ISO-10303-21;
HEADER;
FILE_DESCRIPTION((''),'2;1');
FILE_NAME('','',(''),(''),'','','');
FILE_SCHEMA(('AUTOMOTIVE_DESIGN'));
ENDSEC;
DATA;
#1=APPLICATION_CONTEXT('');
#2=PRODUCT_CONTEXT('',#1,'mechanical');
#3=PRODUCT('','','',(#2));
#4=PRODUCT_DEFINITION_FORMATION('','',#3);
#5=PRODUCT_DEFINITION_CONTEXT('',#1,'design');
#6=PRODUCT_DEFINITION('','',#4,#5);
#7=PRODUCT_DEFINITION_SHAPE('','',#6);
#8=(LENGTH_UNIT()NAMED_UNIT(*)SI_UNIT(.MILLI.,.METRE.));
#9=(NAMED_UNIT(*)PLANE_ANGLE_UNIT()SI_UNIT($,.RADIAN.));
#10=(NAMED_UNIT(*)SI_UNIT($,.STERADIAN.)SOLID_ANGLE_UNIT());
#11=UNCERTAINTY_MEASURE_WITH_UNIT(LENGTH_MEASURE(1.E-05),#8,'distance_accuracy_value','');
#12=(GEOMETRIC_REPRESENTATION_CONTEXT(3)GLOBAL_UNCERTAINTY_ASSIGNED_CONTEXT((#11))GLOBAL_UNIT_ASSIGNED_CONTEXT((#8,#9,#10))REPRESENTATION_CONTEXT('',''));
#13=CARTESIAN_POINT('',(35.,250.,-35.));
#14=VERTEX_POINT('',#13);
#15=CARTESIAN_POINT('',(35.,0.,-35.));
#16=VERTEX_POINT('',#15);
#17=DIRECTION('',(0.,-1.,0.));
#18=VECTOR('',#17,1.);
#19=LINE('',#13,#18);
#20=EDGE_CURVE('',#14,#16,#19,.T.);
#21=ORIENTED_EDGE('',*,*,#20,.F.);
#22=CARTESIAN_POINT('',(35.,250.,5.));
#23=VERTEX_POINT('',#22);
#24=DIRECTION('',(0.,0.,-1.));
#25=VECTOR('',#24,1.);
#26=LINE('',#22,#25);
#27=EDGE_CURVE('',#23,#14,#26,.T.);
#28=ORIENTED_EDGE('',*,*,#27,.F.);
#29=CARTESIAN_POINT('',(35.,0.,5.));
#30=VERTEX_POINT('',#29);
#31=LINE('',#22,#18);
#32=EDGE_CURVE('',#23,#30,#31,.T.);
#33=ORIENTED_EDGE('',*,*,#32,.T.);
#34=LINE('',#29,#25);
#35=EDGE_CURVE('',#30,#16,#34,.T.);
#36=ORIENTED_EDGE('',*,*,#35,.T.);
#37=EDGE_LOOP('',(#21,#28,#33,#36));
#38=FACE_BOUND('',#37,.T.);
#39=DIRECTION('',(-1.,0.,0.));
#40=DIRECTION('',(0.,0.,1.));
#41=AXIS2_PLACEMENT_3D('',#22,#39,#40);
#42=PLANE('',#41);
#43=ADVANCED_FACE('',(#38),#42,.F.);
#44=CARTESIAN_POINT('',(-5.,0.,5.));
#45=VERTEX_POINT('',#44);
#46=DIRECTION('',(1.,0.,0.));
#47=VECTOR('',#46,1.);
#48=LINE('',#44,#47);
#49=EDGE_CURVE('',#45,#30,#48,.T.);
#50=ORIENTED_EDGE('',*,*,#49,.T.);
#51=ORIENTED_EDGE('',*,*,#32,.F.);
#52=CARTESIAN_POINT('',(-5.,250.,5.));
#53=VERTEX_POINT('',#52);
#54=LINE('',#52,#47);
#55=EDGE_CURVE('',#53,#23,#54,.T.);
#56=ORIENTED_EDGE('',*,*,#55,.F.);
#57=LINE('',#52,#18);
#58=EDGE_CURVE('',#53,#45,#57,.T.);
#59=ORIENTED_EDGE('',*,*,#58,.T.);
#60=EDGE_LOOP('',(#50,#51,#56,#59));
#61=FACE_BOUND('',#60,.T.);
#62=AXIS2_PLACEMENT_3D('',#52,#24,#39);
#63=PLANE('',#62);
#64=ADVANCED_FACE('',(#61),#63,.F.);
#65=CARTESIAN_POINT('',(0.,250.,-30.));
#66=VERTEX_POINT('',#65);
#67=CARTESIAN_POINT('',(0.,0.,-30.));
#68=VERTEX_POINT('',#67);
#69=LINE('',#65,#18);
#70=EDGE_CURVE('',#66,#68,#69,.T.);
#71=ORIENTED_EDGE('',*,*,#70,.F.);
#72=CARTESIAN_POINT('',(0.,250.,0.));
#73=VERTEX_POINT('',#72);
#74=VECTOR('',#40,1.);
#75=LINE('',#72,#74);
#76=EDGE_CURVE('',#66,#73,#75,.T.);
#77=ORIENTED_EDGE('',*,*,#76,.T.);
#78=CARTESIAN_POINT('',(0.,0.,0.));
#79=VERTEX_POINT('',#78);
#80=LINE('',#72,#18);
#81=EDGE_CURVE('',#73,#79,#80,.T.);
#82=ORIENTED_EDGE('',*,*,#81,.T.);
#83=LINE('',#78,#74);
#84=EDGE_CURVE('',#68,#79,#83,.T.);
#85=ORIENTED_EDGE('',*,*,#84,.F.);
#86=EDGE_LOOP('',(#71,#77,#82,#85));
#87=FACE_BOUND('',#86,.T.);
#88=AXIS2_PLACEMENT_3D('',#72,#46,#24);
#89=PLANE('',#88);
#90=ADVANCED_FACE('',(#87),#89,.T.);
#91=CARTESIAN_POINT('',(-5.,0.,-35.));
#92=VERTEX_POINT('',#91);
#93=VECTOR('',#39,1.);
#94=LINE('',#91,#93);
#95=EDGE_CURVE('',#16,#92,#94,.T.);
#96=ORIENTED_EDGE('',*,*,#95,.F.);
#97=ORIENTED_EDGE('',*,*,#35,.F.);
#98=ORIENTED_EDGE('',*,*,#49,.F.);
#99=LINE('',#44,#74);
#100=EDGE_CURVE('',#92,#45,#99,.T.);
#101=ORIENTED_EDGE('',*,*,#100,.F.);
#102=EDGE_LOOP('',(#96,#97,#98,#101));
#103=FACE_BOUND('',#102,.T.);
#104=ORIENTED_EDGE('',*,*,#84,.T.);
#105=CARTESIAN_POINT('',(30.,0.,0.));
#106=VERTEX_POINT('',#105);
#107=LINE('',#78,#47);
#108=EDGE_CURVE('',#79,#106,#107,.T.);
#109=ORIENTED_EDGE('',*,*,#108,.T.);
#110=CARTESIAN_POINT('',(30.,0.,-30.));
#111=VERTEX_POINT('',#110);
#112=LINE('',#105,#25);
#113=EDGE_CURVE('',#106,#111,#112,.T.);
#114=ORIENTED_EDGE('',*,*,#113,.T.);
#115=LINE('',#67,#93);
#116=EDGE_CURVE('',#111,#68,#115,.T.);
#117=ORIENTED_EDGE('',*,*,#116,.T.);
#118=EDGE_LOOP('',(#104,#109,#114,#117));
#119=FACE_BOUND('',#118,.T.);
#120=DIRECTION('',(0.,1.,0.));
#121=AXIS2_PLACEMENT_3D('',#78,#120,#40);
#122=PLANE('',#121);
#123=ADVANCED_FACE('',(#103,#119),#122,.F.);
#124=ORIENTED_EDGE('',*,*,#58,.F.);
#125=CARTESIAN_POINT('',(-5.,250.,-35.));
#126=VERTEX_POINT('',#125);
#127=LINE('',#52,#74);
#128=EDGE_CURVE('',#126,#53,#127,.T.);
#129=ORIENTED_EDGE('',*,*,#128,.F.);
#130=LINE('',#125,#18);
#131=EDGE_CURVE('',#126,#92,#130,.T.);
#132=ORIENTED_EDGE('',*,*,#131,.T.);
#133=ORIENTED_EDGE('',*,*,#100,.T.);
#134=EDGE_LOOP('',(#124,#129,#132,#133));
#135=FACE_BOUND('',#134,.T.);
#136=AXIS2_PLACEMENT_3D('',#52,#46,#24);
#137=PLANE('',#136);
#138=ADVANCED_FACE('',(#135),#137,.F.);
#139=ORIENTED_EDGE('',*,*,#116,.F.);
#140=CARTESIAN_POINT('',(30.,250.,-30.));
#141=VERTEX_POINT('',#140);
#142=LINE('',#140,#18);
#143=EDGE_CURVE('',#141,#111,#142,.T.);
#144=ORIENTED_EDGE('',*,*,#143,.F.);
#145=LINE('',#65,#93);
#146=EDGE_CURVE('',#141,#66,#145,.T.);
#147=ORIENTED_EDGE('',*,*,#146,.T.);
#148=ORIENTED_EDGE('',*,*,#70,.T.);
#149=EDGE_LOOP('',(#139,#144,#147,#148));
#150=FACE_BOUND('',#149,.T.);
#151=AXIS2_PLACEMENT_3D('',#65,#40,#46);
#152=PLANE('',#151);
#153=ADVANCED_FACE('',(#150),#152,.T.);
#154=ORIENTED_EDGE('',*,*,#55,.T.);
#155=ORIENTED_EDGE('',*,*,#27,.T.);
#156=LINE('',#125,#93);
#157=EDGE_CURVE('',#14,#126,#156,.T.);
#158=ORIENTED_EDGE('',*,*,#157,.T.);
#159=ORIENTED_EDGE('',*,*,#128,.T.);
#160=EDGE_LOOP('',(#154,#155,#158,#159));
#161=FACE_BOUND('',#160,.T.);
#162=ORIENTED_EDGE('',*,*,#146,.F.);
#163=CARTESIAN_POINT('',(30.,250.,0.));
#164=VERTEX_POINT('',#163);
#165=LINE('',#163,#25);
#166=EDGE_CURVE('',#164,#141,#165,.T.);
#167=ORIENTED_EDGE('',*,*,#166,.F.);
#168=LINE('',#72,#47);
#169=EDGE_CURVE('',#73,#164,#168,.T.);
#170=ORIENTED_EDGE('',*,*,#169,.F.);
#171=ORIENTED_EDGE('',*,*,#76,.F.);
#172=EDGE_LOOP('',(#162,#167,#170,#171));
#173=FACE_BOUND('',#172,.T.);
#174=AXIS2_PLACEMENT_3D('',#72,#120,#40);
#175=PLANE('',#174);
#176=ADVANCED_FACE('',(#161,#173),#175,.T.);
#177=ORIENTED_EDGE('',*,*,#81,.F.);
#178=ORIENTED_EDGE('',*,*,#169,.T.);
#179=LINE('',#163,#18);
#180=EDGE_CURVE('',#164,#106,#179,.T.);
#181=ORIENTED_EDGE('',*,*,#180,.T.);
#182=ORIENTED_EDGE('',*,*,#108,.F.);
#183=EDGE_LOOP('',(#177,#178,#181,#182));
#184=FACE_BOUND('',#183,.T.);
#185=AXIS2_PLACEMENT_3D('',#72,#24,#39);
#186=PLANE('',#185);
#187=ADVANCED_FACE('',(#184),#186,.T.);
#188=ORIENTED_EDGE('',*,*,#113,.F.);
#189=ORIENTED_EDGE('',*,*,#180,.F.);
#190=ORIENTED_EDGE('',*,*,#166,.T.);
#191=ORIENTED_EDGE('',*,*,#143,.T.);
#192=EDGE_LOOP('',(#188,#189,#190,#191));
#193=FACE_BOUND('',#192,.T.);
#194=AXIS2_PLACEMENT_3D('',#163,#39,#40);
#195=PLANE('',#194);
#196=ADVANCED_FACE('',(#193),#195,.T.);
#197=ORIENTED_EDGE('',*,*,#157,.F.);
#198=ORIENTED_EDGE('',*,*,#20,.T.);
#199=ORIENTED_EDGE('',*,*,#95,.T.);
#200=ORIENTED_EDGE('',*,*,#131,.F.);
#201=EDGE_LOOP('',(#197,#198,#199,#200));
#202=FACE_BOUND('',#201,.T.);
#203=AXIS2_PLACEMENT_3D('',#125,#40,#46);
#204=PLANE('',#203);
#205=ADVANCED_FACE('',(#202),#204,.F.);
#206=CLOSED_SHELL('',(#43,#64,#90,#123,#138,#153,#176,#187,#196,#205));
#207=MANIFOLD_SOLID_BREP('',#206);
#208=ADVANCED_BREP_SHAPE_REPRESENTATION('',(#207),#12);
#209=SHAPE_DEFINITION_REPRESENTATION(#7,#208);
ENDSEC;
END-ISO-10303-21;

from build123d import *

# Parameters (mm, degrees)
SKETCH1_W           = 40
SKETCH1_H           = 40
SKETCH1_W_2         = 30
SKETCH1_H_2         = 30
BOSS_EXTRUDE1_DEPTH = 250


with BuildPart() as part:
    # Sketch1 → Boss-Extrude1 (new body)
    with BuildSketch(Plane(origin=(0, 0, 0), x_dir=(1, 0, 0), z_dir=(0, 1, 0))):
        with Locations((15, 15)):
            Rectangle(SKETCH1_W, SKETCH1_H)
        with Locations((15, 15)):
            Rectangle(SKETCH1_W_2, SKETCH1_H_2, mode=Mode.SUBTRACT)
    extrude(amount=BOSS_EXTRUDE1_DEPTH)


solid = part.part
